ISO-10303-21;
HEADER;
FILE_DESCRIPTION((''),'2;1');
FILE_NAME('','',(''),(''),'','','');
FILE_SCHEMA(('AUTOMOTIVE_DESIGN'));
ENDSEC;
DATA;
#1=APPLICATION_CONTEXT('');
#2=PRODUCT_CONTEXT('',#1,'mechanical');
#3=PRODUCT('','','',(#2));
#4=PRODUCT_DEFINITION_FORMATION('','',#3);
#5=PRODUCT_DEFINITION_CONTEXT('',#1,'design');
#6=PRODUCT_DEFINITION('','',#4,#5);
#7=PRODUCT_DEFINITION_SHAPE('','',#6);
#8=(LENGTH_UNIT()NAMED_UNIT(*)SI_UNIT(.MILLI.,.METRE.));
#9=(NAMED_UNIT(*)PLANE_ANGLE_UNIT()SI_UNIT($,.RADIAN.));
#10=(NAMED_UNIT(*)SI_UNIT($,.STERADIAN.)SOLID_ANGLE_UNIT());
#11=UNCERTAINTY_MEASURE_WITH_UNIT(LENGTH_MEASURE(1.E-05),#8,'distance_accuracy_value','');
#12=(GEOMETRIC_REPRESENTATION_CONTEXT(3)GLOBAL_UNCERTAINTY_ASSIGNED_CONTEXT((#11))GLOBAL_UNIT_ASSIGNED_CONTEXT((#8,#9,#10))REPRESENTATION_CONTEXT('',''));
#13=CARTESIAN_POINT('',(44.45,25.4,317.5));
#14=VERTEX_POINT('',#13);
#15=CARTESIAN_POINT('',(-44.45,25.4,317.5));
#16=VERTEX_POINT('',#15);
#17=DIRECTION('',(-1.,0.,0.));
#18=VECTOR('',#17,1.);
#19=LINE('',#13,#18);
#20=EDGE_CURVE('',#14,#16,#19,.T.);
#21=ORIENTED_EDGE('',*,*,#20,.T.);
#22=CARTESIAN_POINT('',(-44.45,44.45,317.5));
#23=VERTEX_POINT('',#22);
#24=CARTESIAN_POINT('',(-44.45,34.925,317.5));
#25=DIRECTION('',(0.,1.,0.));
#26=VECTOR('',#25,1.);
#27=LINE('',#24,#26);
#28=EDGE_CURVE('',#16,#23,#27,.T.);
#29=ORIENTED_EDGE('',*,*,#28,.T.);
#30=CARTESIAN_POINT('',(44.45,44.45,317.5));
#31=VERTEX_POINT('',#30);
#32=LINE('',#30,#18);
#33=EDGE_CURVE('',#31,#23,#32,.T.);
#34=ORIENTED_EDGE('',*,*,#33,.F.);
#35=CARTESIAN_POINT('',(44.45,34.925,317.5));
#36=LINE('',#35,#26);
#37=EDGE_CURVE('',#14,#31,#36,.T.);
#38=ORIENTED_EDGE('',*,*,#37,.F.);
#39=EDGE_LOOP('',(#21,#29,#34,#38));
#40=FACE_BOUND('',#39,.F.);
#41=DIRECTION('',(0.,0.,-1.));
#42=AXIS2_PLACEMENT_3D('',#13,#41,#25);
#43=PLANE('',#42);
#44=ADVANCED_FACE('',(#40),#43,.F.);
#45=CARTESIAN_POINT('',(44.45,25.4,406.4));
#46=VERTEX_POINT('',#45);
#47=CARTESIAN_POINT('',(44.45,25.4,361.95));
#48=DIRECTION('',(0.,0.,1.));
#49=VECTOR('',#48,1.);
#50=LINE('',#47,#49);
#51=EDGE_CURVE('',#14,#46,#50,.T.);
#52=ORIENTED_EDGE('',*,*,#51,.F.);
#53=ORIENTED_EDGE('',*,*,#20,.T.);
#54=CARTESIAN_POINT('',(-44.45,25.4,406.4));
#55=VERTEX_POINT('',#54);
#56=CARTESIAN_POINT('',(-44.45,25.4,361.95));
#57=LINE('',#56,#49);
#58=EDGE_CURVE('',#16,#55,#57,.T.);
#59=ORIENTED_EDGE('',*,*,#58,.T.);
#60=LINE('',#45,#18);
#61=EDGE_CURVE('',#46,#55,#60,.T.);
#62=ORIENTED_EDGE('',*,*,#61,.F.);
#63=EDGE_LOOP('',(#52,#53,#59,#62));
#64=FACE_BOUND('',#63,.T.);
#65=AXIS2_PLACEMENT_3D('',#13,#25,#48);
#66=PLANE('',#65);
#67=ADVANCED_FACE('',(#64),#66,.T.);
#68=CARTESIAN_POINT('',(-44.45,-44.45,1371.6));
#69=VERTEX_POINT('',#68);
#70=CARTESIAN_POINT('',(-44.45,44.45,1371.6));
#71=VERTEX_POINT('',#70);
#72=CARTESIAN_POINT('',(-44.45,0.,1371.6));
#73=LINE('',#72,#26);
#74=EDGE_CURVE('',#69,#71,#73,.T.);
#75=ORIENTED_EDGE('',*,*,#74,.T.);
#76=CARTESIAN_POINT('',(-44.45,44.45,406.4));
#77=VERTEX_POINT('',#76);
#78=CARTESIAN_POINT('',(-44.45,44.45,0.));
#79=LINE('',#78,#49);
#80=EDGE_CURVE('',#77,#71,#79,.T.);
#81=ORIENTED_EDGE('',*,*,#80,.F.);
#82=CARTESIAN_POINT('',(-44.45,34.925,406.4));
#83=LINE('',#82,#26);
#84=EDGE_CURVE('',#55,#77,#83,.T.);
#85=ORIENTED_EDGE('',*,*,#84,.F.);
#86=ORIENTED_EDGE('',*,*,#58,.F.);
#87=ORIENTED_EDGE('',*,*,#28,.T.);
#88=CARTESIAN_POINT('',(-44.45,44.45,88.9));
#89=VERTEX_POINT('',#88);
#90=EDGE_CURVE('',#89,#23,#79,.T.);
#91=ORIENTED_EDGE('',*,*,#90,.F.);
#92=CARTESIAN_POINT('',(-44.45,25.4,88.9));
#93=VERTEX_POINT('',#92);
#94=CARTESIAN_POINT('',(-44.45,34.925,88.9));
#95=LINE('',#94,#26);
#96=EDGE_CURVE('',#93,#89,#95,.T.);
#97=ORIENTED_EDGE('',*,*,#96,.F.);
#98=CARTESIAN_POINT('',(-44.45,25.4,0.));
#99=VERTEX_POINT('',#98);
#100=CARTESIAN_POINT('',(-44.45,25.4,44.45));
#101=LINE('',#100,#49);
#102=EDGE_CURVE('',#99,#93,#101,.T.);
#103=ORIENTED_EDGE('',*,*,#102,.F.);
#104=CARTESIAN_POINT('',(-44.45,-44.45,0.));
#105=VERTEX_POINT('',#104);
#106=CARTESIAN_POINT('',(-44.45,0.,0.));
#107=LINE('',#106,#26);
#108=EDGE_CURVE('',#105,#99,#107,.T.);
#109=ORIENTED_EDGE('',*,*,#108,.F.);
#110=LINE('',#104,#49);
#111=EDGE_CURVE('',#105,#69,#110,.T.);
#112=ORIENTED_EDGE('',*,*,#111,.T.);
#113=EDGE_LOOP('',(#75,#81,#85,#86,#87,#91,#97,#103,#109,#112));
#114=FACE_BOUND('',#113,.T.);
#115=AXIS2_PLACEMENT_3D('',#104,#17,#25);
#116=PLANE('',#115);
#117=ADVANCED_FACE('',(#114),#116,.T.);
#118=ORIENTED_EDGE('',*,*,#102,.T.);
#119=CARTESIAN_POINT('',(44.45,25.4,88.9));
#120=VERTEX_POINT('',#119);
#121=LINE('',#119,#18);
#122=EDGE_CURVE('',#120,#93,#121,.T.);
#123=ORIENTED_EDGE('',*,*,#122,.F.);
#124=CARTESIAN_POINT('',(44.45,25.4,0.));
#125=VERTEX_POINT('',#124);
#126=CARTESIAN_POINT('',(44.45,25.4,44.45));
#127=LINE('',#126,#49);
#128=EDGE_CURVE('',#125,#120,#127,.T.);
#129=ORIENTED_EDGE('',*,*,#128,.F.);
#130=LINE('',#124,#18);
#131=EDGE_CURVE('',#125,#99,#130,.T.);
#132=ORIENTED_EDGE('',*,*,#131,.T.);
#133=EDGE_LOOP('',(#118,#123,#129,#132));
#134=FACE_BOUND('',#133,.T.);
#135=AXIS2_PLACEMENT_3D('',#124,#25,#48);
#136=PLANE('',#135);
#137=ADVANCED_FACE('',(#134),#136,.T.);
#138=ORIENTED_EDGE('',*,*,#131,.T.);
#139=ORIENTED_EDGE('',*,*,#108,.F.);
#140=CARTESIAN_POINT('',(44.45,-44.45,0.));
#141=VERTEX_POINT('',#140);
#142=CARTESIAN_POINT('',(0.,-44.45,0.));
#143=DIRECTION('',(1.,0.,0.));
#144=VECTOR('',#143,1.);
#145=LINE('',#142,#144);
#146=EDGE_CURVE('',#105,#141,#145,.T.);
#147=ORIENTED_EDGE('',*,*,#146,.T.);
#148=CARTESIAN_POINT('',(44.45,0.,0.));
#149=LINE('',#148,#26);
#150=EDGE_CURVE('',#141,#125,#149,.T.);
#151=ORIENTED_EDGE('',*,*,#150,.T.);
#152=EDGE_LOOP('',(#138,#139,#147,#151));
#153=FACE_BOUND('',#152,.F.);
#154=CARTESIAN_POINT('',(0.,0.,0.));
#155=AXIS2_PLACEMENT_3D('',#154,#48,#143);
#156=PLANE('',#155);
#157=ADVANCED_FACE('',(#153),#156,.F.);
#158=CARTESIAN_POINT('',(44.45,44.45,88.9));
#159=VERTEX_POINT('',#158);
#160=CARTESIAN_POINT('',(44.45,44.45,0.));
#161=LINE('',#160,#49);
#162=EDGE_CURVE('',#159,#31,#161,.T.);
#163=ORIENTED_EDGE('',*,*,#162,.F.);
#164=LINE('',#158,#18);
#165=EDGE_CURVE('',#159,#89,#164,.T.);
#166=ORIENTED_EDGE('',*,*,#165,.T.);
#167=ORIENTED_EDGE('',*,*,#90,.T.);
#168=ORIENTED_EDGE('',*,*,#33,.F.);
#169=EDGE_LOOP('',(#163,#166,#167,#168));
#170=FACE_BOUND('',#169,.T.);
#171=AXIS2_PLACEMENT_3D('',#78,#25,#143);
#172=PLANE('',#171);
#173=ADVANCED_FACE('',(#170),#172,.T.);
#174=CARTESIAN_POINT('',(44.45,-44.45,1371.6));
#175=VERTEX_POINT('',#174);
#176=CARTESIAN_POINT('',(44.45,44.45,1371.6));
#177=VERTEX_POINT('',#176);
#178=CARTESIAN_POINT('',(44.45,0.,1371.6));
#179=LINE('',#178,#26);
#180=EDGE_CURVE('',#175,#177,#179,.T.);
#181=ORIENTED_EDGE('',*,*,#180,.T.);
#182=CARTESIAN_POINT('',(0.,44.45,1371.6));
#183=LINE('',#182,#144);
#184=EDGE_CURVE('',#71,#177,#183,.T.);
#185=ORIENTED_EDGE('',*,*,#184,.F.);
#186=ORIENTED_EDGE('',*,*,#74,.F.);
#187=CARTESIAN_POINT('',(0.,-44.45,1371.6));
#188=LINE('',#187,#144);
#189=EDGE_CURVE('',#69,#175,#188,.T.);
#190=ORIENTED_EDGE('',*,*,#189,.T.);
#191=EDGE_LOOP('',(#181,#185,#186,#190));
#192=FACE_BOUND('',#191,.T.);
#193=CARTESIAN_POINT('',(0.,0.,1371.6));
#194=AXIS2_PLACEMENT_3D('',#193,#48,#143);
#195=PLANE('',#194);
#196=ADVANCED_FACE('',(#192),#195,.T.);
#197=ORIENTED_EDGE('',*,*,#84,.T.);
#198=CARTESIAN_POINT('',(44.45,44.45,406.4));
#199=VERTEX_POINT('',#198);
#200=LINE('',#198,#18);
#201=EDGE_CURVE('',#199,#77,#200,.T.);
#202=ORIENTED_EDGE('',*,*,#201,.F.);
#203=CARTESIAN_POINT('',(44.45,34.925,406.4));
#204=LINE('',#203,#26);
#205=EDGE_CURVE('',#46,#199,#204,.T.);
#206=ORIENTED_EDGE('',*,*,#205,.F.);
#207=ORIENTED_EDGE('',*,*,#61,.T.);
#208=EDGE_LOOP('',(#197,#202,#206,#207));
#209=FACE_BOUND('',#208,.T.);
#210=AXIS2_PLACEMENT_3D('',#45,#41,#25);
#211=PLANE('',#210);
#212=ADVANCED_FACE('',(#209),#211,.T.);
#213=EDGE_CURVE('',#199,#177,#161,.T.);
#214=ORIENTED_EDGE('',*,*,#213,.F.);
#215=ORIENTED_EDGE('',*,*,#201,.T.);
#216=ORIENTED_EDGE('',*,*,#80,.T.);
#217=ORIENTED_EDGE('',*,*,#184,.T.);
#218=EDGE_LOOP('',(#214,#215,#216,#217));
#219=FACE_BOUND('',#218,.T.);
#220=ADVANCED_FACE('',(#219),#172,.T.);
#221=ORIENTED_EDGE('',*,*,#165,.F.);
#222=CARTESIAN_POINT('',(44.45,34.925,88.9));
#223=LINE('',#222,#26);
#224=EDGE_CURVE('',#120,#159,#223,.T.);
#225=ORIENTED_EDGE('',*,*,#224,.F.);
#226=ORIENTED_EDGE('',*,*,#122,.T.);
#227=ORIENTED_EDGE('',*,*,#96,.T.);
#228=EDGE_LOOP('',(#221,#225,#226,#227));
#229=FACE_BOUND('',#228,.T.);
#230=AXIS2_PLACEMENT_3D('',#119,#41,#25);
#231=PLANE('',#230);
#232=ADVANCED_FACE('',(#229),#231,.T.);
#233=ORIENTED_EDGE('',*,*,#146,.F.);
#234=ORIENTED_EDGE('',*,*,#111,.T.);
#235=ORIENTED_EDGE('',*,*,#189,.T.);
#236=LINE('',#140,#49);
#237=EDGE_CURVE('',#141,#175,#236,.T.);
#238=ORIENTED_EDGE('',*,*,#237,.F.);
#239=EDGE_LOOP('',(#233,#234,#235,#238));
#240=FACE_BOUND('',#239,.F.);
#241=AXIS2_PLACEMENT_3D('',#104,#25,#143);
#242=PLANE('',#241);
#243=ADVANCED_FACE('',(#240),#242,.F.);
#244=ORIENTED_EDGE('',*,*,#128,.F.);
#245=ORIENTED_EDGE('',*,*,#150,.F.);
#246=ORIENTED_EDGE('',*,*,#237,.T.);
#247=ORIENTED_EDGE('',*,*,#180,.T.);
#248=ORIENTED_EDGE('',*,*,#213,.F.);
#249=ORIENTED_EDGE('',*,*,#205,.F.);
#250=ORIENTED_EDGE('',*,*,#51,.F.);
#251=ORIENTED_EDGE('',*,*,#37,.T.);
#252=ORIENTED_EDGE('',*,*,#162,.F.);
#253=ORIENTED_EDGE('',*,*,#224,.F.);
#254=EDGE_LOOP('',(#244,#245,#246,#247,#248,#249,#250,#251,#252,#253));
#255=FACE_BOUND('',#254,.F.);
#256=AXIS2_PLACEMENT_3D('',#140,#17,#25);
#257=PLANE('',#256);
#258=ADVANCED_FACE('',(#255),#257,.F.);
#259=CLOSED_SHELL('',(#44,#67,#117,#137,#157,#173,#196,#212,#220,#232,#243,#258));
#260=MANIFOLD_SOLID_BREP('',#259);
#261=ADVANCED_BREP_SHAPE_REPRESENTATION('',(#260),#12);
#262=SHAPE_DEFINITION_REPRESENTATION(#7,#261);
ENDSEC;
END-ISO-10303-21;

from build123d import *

# Parameters (mm, degrees)
F0_W     = 88.9
F0_H     = 88.9
F1_DEPTH = 1371.6
F2_W     = 19.05
F2_H     = 88.9
F3_DEPTH = 88.9


with BuildPart() as f1:
    # F0 (on Top) → F1 (new body)
    with BuildSketch(Plane.XY):
        Rectangle(F0_W, F0_H)
    extrude(amount=F1_DEPTH)

    # F2 (on face) → F3 (cut, through all)
    with BuildSketch(Plane.YZ.offset(44.45)):
        with Locations((34.925, 361.95)):
            Rectangle(F2_W, F2_H)
        with Locations((34.925, 44.45)):
            Rectangle(F2_W, F2_H)
    extrude(amount=-F3_DEPTH, mode=Mode.SUBTRACT)


solid = f1.part
